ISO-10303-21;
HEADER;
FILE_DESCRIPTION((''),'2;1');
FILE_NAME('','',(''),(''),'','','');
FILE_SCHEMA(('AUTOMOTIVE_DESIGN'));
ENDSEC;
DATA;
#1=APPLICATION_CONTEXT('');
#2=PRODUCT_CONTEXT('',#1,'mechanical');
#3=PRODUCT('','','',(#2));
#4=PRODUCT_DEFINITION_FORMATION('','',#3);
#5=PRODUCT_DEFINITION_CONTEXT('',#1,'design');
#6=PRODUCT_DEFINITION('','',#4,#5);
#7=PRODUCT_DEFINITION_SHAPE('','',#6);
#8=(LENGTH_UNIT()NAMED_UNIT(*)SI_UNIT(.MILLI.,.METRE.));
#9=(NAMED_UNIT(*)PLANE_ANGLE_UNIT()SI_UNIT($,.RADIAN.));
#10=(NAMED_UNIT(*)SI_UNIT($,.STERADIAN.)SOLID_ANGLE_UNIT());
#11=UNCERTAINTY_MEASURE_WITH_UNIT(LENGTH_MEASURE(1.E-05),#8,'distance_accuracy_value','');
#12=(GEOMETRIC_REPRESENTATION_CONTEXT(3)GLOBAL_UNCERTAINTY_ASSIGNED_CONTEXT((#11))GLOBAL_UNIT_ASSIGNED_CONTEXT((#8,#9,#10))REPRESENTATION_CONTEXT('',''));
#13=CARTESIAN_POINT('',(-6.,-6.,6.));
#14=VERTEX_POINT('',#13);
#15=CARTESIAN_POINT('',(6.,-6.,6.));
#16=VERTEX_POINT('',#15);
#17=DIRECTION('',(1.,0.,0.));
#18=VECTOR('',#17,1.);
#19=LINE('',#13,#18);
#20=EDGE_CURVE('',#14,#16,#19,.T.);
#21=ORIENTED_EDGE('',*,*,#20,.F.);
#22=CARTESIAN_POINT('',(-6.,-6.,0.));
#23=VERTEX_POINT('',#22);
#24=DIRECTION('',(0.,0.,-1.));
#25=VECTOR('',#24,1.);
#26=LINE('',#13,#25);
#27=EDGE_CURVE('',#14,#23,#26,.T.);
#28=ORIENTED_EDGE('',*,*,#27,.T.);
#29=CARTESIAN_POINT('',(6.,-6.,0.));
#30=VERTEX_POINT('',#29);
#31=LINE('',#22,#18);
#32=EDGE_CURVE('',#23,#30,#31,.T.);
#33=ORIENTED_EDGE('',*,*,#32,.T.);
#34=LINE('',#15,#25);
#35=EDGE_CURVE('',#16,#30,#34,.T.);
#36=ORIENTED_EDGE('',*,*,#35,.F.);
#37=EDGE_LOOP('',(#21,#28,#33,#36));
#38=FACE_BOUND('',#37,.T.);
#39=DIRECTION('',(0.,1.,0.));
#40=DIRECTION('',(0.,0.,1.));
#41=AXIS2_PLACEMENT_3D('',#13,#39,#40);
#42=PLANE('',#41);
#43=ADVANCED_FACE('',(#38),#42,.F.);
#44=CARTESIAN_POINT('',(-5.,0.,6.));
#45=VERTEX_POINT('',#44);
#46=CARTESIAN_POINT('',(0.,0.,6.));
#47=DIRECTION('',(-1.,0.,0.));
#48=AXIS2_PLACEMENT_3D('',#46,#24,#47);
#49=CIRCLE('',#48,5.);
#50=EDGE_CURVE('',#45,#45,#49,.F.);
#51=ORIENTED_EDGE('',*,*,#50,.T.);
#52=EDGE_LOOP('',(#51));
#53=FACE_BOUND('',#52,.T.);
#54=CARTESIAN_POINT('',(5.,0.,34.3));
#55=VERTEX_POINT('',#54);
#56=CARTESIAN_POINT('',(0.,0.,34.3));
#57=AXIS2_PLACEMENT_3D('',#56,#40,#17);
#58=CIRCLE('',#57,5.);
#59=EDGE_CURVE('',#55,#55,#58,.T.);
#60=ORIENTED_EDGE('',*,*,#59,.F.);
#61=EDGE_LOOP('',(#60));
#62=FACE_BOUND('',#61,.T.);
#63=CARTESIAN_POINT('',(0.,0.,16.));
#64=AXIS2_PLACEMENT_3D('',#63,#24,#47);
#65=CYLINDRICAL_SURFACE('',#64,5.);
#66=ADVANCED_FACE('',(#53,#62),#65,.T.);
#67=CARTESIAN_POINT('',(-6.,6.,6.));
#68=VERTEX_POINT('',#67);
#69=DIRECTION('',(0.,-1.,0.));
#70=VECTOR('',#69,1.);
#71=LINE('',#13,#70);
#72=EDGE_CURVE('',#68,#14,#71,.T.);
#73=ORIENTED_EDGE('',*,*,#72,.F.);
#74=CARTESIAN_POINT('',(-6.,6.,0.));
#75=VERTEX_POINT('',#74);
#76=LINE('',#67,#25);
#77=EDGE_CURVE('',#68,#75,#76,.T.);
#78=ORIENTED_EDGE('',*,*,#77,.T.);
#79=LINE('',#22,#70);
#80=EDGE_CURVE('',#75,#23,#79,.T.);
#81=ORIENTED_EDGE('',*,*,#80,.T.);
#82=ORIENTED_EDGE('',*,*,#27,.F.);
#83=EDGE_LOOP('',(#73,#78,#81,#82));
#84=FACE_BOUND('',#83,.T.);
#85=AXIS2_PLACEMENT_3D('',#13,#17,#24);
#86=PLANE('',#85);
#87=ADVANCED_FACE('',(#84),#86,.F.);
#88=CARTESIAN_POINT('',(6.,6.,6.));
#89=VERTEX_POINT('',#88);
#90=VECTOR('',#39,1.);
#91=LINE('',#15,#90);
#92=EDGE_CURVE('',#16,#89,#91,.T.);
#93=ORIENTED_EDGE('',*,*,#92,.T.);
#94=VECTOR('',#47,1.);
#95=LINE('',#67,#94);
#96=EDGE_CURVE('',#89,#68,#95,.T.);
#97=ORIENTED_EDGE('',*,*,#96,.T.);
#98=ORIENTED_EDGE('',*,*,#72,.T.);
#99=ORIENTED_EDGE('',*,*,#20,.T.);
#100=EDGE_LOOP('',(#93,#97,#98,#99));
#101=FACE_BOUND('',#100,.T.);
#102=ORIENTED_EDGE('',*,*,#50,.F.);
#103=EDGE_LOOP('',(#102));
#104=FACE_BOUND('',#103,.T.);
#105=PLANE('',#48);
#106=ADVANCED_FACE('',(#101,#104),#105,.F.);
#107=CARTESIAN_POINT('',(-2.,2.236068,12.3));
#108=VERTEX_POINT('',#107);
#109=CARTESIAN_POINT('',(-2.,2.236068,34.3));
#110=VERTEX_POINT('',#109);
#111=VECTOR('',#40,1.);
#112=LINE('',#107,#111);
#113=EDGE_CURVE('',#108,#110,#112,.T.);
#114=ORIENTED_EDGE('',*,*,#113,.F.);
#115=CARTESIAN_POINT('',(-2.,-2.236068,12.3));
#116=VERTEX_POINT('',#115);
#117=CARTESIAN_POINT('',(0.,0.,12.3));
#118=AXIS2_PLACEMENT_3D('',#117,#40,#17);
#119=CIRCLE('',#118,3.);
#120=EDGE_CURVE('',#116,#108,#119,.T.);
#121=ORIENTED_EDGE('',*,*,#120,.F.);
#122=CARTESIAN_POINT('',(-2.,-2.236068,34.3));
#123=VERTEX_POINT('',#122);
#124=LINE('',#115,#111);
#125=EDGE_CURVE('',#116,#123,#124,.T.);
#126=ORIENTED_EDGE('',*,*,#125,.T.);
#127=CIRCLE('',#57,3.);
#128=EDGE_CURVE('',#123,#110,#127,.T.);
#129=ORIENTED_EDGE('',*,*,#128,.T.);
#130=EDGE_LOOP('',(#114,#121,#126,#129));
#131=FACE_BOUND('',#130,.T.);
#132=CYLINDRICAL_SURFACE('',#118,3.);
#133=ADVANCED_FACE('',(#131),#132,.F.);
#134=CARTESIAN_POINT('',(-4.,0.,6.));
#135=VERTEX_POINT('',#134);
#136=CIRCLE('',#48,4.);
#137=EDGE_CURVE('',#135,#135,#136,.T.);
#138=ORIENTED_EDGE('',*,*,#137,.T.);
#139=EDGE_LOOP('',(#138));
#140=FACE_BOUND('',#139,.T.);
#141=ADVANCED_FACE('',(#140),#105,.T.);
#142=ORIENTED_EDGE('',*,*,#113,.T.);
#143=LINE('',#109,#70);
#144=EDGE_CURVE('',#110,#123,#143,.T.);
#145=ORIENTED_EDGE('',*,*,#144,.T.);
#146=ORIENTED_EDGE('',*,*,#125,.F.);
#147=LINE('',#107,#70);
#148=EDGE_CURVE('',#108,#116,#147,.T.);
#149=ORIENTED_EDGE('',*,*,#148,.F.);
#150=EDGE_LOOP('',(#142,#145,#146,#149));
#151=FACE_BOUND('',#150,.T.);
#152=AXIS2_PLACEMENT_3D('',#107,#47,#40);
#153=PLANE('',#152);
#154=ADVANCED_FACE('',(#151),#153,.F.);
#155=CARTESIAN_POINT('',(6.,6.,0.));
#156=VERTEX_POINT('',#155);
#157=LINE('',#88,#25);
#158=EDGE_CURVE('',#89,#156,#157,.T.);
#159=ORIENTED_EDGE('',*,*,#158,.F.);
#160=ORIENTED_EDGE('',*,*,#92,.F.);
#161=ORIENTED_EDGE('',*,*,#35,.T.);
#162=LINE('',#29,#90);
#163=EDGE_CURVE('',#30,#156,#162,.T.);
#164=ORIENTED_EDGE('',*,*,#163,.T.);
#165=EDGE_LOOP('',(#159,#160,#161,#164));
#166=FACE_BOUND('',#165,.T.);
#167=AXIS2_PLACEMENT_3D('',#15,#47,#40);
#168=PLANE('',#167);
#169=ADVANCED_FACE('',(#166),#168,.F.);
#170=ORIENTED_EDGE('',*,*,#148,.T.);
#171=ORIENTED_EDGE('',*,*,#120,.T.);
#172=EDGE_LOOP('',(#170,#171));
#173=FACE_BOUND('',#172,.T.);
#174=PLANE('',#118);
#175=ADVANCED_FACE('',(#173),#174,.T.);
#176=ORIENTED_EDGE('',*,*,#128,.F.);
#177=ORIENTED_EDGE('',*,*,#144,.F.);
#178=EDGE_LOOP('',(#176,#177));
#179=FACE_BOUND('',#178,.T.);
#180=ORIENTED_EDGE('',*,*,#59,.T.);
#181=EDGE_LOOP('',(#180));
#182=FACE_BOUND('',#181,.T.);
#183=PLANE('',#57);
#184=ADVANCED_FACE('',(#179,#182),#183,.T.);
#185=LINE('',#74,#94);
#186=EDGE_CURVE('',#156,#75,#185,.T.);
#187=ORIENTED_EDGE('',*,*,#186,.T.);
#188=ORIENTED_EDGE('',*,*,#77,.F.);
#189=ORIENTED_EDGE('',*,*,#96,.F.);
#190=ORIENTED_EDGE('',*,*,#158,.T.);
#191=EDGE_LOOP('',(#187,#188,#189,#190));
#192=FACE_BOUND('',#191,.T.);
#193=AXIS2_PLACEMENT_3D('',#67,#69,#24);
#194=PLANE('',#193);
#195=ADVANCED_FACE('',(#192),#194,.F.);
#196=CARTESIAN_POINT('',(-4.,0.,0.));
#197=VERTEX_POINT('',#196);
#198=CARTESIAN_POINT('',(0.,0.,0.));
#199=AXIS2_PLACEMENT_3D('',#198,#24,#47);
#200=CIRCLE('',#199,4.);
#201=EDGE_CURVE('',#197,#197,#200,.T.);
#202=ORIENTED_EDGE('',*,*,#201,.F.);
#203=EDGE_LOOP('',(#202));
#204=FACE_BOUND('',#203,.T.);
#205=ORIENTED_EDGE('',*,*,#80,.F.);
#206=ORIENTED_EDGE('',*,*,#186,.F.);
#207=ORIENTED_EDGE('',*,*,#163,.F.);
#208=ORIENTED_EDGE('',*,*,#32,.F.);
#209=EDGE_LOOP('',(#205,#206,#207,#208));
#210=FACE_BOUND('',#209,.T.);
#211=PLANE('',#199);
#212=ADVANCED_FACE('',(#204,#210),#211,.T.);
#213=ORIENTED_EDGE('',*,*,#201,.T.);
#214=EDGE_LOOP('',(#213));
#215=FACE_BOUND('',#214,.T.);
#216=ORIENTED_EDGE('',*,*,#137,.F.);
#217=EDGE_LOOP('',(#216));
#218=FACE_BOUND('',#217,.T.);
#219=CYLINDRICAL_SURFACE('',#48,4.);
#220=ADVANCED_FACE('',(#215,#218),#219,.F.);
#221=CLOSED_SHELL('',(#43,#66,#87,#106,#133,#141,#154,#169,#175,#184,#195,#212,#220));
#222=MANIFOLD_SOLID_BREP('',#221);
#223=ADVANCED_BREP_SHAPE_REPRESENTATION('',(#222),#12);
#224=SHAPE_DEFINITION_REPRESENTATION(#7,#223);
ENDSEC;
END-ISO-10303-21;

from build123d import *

# Parameters (mm, degrees)
SKETCH1_W           = 12
SKETCH1_H           = 12
BOSS_EXTRUDE1_DEPTH = 6
SKETCH2_R           = 5
BOSS_EXTRUDE2_DEPTH = 10
SKETCH3_R           = 5
BOSS_EXTRUDE3_DEPTH = 18.3
CUT_EXTRUDE2_DEPTH  = 22
SKETCH6_R           = 4
CUT_EXTRUDE3_DEPTH  = 6


with BuildPart() as part:
    # Sketch1 → Boss-Extrude1 (new body)
    with BuildSketch(Plane.XY):
        Rectangle(SKETCH1_W, SKETCH1_H)
    extrude(amount=BOSS_EXTRUDE1_DEPTH)

    # Sketch2 → Boss-Extrude2 (add)
    with BuildSketch(Plane.XY.offset(6)):
        Circle(SKETCH2_R)
    extrude(amount=BOSS_EXTRUDE2_DEPTH)

    # Sketch3 → Boss-Extrude3 (add)
    with BuildSketch(Plane.XY.offset(16)):
        Circle(SKETCH3_R)
    extrude(amount=BOSS_EXTRUDE3_DEPTH)

    # Sketch5 → Cut-Extrude2 (cut)
    with BuildSketch(Plane.XY.offset(34.3)):
        with BuildLine():
            Line((-2, 2.236067977), (-2, -2.236067977))
            ThreePointArc((-2, -2.236067977), (3, 0), (-2, 2.236067977))
        make_face()
    extrude(amount=-CUT_EXTRUDE2_DEPTH, mode=Mode.SUBTRACT)

    # Sketch6 → Cut-Extrude3 (cut)
    with BuildSketch(Plane(origin=(0, 0, 0), x_dir=(-1, 0, 0), z_dir=(0, 0, -1))):
        Circle(SKETCH6_R)
    extrude(amount=-CUT_EXTRUDE3_DEPTH, mode=Mode.SUBTRACT)


solid = part.part
